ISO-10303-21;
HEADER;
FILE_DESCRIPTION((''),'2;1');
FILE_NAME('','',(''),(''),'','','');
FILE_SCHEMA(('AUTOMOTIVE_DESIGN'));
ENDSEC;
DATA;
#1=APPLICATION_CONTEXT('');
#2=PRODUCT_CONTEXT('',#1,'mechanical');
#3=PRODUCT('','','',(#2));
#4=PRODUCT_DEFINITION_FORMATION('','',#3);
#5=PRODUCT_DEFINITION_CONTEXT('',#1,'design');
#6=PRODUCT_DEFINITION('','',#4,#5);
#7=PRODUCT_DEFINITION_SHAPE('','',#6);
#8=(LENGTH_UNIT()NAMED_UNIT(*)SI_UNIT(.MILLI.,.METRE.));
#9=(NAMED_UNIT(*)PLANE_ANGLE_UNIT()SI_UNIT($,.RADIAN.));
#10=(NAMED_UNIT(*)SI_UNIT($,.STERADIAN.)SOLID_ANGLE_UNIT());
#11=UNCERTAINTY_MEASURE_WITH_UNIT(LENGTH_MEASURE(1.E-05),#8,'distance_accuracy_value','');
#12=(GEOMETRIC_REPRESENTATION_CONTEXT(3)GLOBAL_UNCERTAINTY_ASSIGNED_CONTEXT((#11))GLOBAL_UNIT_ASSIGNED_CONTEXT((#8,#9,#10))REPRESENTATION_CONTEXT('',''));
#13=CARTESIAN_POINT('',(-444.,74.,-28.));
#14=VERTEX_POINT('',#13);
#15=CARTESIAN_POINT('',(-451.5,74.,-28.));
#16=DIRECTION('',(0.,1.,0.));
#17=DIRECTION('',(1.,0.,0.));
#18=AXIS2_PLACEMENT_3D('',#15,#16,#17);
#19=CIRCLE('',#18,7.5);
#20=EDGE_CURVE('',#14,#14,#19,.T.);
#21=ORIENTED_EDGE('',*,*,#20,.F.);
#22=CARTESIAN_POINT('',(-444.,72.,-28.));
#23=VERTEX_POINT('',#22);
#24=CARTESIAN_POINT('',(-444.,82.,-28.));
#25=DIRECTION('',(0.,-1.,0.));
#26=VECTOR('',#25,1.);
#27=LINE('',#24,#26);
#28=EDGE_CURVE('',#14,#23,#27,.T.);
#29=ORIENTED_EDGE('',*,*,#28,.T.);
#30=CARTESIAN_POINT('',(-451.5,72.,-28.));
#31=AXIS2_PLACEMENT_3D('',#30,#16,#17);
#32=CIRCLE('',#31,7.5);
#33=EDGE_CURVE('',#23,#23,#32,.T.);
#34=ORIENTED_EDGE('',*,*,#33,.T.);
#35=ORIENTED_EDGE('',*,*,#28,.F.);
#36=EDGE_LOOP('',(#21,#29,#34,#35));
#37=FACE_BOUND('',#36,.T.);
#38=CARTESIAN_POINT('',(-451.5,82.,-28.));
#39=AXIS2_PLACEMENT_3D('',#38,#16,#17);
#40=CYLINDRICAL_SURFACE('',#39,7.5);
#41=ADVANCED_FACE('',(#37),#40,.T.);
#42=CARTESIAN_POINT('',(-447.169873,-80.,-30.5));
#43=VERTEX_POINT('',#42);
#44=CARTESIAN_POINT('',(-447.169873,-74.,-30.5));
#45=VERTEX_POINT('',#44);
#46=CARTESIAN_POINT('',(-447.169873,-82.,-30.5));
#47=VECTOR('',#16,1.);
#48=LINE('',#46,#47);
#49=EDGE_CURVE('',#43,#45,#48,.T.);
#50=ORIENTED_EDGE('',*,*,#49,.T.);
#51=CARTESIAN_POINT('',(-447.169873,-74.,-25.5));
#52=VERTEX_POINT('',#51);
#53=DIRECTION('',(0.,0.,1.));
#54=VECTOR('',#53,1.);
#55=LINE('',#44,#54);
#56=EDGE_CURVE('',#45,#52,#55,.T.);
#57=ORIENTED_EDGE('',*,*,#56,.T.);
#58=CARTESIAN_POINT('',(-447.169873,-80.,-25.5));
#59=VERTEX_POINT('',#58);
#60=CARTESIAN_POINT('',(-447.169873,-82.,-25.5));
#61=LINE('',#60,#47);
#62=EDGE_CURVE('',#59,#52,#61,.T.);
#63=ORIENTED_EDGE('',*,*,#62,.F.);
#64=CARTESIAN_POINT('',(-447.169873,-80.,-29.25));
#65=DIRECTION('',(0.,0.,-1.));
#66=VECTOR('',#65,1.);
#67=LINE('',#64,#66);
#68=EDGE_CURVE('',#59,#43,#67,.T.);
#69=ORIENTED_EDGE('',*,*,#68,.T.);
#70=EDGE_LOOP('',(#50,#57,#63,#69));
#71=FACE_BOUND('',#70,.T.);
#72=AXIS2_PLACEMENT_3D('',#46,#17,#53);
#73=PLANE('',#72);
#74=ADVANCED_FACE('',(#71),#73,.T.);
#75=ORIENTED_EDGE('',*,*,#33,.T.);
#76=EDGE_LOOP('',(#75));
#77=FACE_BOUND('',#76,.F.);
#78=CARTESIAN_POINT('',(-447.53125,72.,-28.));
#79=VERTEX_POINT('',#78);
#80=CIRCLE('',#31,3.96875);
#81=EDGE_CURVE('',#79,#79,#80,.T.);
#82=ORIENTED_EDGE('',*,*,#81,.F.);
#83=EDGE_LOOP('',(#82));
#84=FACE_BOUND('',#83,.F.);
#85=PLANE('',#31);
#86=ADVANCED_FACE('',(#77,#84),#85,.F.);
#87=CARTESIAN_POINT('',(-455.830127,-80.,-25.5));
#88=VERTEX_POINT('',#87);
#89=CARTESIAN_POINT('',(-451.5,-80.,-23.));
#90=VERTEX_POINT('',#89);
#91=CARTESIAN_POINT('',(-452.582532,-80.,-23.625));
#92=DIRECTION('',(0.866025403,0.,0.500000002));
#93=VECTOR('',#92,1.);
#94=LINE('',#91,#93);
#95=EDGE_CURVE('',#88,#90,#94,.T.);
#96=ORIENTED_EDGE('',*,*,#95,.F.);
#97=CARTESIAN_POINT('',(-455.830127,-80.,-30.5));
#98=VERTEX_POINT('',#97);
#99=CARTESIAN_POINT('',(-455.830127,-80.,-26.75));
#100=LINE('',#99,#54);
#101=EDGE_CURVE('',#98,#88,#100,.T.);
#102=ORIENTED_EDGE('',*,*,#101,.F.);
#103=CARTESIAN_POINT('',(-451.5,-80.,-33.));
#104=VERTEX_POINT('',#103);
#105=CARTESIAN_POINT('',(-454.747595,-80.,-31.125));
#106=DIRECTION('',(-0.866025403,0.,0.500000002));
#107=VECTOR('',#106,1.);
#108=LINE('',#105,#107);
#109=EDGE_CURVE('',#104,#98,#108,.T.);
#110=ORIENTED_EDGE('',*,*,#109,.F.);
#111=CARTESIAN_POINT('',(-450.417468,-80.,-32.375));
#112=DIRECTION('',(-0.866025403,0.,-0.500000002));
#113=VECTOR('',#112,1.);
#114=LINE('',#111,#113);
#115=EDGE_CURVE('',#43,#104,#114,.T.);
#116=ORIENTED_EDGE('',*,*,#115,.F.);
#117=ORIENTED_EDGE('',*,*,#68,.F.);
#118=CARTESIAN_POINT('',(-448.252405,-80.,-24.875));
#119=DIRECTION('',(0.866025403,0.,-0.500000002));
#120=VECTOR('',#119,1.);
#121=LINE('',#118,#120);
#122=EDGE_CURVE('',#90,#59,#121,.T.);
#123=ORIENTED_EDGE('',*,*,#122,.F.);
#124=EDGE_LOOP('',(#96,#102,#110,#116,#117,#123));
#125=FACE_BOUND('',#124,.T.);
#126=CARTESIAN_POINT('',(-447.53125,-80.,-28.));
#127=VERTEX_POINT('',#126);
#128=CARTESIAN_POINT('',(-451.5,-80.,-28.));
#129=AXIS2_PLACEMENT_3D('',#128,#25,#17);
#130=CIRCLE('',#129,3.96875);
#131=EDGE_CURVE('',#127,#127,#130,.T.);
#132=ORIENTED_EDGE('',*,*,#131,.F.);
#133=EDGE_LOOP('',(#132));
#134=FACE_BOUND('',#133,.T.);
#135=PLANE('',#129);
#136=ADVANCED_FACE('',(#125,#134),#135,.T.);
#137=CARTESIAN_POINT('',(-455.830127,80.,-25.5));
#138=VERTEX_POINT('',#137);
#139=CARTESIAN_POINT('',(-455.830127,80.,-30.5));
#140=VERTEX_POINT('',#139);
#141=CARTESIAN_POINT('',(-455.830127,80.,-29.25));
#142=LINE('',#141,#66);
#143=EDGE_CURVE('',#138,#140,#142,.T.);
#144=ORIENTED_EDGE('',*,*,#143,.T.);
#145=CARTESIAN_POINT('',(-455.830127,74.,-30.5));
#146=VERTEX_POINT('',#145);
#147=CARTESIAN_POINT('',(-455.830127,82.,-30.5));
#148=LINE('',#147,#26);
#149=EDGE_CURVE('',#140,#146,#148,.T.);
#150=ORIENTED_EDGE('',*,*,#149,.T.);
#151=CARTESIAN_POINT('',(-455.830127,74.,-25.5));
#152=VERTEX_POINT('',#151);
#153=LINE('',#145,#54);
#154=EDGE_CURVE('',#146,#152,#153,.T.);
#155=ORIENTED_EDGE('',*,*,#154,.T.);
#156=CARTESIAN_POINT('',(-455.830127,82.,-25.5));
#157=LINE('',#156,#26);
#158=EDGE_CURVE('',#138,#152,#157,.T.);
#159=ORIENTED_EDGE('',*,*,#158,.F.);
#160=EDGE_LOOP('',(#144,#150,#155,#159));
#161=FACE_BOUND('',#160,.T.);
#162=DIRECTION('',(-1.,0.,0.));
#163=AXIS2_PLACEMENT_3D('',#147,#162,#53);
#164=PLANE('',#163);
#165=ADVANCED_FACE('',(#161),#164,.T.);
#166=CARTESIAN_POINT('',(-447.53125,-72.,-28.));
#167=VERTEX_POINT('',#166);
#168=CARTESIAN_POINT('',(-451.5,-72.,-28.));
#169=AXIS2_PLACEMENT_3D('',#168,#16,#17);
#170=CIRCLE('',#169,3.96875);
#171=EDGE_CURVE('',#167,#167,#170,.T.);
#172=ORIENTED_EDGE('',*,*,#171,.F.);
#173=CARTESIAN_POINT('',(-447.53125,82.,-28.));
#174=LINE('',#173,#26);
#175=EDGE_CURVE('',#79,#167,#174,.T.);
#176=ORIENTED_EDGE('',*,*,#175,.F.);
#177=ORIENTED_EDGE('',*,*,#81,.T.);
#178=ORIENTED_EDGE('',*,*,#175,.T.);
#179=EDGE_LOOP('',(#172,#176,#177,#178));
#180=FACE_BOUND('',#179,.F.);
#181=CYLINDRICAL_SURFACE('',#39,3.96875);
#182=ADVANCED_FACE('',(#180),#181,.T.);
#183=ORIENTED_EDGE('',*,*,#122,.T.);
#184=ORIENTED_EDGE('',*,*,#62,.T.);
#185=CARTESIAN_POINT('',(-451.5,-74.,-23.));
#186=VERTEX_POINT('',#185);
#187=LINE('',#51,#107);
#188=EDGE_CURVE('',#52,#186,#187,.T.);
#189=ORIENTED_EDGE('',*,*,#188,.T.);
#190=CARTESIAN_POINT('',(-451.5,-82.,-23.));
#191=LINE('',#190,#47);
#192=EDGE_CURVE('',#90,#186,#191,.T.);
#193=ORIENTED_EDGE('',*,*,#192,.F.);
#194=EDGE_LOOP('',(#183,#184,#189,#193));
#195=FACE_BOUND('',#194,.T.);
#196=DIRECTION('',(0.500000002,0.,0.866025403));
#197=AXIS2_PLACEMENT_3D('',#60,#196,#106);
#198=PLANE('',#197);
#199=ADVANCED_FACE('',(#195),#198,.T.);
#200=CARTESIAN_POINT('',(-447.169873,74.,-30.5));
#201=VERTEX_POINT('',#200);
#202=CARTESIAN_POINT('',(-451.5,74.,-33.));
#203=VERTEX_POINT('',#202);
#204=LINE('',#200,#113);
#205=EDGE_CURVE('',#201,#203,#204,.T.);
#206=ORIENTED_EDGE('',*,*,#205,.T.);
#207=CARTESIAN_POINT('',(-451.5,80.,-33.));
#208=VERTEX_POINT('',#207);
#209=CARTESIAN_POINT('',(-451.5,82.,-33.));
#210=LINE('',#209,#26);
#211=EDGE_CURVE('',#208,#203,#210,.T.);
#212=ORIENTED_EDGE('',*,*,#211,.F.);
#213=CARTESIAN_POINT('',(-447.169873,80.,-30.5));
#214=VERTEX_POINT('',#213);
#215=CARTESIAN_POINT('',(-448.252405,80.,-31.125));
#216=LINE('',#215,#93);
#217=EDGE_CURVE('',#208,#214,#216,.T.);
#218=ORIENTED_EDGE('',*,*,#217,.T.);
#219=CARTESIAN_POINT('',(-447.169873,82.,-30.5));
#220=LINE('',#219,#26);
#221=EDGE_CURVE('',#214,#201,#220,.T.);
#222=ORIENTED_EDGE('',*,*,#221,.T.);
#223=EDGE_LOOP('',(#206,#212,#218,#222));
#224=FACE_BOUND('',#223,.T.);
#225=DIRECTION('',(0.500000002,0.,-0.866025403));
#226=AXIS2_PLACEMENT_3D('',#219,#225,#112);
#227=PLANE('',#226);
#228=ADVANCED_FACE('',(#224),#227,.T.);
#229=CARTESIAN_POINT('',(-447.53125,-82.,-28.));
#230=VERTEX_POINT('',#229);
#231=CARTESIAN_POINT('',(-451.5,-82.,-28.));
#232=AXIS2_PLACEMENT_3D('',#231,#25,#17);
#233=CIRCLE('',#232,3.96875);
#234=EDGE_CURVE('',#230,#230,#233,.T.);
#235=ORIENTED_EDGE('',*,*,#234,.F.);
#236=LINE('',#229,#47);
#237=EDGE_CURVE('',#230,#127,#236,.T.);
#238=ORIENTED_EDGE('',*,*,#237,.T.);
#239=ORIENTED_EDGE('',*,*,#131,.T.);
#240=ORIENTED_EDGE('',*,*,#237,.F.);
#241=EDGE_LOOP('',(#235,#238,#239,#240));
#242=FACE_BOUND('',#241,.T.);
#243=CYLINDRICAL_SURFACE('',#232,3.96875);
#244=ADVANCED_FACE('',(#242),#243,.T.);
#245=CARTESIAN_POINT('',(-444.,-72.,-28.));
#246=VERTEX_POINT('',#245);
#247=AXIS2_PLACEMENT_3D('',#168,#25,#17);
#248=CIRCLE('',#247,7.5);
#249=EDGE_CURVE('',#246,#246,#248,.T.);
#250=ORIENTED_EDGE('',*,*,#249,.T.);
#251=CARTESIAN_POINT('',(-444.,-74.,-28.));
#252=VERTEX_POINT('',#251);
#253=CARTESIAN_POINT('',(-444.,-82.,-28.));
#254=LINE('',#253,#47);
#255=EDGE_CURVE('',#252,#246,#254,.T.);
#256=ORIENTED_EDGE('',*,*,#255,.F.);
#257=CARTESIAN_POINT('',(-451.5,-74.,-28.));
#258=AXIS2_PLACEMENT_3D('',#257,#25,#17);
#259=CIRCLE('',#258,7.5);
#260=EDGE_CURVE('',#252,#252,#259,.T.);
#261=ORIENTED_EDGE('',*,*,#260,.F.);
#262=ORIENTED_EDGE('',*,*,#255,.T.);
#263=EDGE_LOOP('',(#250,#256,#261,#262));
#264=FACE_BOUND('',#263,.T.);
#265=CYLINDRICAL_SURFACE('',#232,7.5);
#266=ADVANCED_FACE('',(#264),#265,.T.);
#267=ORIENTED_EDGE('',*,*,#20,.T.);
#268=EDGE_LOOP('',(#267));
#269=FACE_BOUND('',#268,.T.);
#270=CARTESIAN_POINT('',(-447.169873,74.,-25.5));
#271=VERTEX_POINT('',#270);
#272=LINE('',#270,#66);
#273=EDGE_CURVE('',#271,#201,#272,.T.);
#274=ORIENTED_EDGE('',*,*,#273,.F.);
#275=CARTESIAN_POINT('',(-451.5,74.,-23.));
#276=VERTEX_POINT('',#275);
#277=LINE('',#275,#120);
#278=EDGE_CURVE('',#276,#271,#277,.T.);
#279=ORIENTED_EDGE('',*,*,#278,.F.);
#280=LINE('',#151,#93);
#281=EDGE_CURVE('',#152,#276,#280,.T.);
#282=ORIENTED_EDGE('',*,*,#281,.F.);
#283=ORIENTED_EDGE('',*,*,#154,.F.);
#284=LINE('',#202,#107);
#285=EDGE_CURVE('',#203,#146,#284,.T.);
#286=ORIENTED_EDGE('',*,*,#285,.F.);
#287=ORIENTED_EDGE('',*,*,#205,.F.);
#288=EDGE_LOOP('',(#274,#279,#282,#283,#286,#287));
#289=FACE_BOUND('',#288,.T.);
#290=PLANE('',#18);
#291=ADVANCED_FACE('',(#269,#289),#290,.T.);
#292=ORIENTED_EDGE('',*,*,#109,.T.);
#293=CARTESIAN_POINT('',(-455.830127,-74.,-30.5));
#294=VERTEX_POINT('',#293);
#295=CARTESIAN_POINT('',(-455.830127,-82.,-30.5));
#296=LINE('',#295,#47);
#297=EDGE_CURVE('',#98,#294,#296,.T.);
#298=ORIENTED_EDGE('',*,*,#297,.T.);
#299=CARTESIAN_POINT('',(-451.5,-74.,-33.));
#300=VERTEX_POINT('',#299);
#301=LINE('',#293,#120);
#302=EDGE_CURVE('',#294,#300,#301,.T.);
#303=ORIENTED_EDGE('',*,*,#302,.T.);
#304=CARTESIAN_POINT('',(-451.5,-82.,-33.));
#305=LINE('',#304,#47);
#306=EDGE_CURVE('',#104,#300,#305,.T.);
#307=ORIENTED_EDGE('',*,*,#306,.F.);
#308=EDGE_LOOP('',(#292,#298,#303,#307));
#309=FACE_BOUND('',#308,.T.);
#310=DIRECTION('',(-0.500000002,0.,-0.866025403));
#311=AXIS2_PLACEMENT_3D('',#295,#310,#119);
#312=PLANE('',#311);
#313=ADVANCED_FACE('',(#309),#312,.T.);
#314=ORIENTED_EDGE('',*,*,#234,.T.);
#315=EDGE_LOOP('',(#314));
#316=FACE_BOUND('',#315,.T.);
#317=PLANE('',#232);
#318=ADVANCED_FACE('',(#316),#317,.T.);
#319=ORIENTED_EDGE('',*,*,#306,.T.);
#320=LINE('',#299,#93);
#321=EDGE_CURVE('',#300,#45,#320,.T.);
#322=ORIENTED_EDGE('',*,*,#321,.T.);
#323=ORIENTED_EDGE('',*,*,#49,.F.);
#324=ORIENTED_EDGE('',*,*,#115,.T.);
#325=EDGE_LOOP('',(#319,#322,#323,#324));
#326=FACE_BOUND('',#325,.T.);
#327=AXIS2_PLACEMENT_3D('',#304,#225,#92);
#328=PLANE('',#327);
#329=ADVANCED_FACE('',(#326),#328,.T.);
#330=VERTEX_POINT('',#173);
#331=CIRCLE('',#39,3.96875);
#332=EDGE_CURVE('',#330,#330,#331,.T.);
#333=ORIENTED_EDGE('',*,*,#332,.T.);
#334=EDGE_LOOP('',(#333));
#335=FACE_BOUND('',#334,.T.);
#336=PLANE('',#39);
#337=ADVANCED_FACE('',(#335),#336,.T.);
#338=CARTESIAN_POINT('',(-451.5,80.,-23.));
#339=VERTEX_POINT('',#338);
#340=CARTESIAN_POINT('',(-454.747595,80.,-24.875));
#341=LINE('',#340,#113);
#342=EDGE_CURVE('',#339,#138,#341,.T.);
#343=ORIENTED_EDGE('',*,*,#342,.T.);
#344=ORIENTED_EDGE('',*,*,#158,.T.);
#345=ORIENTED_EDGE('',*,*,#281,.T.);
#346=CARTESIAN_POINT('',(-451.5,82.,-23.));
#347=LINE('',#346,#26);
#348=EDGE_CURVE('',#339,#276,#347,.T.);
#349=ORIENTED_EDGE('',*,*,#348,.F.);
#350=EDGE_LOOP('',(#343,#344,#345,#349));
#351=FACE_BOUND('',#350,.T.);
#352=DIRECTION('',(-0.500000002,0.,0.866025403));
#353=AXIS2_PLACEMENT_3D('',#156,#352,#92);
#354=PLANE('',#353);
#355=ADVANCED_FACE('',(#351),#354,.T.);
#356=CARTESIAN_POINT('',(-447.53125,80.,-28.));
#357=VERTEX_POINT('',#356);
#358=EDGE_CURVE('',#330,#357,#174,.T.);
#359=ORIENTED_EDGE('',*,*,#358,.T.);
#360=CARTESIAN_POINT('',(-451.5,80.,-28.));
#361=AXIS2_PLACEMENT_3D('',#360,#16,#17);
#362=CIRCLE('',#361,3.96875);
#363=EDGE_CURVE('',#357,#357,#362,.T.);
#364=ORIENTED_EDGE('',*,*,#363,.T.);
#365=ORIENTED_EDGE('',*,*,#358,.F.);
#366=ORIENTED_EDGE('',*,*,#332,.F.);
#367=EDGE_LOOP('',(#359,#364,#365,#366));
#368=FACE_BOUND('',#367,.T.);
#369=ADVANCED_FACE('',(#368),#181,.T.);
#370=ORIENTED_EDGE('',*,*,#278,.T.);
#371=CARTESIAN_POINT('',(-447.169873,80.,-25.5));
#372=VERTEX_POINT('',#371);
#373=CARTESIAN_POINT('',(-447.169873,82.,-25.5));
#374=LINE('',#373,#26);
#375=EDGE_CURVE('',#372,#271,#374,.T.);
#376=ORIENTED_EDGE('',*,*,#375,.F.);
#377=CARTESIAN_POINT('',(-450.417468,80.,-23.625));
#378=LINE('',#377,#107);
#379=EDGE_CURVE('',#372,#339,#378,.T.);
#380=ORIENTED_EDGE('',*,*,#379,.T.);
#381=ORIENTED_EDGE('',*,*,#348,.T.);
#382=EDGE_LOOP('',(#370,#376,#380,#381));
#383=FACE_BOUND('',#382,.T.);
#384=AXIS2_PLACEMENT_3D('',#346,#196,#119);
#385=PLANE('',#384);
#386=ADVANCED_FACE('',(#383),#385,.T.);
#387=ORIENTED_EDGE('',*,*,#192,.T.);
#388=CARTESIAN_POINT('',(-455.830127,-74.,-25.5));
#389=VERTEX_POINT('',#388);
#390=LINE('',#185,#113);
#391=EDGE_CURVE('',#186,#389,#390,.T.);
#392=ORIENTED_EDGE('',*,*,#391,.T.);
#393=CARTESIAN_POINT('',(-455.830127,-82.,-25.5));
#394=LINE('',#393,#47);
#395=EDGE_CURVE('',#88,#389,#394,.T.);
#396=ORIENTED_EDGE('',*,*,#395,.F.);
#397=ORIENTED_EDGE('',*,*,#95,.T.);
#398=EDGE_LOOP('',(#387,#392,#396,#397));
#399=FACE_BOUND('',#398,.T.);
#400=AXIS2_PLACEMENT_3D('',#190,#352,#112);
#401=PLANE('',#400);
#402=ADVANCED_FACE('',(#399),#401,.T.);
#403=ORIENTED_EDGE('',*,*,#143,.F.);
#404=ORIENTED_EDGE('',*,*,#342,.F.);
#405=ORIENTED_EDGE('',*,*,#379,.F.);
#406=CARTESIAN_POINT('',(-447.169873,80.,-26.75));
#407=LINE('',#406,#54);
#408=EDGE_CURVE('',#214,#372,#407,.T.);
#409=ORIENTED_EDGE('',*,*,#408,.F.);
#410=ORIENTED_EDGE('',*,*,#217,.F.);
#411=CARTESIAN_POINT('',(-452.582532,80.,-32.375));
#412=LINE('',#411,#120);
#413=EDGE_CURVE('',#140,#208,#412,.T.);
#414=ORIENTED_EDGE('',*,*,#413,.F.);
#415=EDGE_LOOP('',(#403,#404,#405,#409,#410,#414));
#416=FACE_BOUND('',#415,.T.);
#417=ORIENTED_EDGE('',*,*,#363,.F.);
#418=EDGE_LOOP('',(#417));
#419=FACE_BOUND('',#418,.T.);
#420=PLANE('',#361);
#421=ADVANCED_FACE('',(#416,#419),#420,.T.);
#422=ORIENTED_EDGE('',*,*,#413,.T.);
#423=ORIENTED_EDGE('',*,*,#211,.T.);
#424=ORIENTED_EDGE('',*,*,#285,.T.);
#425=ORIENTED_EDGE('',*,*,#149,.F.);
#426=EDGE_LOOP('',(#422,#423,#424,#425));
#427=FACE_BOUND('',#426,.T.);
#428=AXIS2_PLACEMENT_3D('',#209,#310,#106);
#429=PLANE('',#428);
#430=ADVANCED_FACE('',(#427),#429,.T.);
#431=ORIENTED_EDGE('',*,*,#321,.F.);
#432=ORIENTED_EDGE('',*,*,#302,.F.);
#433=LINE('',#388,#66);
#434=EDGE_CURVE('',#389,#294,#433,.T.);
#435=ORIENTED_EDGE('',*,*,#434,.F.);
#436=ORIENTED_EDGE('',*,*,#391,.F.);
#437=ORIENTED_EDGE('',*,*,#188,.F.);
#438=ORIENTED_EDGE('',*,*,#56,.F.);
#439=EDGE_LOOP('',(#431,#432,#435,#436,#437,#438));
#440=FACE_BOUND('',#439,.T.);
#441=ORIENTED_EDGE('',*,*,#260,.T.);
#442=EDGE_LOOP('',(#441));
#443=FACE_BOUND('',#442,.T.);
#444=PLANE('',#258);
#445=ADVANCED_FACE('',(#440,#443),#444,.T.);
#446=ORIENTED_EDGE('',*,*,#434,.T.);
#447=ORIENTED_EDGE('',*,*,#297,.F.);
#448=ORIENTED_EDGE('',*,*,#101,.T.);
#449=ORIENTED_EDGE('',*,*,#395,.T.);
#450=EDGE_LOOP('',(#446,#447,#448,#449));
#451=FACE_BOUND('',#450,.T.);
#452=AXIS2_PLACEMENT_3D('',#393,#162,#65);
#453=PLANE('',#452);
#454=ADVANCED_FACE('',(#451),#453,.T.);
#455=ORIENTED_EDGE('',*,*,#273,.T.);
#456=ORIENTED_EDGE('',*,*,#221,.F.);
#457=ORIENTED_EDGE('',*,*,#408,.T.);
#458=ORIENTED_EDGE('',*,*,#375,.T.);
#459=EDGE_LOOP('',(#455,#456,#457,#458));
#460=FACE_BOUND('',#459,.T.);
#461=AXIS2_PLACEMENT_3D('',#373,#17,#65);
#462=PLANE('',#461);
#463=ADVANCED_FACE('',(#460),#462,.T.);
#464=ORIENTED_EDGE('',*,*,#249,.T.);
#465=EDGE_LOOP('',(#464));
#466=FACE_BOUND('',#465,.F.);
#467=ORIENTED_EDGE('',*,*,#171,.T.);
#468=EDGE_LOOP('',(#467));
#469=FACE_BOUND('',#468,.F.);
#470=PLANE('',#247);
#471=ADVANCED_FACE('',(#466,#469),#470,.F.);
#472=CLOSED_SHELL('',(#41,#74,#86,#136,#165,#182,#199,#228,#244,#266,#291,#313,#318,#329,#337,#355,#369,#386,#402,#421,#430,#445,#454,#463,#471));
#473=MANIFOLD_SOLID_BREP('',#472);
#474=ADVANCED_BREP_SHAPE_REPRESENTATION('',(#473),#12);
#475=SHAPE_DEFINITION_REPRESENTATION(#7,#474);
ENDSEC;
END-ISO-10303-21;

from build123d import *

# Parameters (mm, degrees)
SKETCH013_R     = 3.96875
PAD009_DEPTH    = 164
SKETCH014_R     = 7.5
PAD010_DEPTH    = 10
SKETCH015_R     = 7.5
POCKET003_DEPTH = 8
SKETCH016_R     = 7.5
SKETCH016_R_2   = 3.96875
POCKET004_DEPTH = 2
SKETCH017_R     = 7.5
PAD011_DEPTH    = 10
SKETCH018_R     = 7.5
POCKET005_DEPTH = 8
SKETCH019_R     = 7.5
SKETCH019_R_2   = 3.96875
POCKET006_DEPTH = 2


with BuildPart() as part:
    # Sketch013 → Pad009 (new body)
    with BuildSketch(Plane(origin=(500, 82, 56), x_dir=(1, 0, 0), z_dir=(0, -1, 0))):
        Circle(SKETCH013_R)
    extrude(amount=PAD009_DEPTH)

    # Sketch014 → Pad010 (new body)
    with BuildSketch(Plane(origin=(500, 82, 56), x_dir=(1, 0, 0), z_dir=(0, 1, 0))):
        Circle(SKETCH014_R)
    extrude(amount=-PAD010_DEPTH)

    # Sketch015 → Pocket003 (cut)
    with BuildSketch(Plane(origin=(500, 82, 56), x_dir=(1, 0, 0), z_dir=(0, 1, 0))):
        Circle(SKETCH015_R)
        Polygon((0, 5), (-4.330127, 2.5), (-4.330127, -2.5), (0, -5), (4.330127, -2.5), (4.330127, 2.5), align=None, mode=Mode.SUBTRACT)
    extrude(amount=-POCKET003_DEPTH, mode=Mode.SUBTRACT)

    # Sketch016 → Pocket004 (cut)
    with BuildSketch(Plane(origin=(500, 82, 56), x_dir=(1, 0, 0), z_dir=(0, 1, 0))):
        Circle(SKETCH016_R)
        Circle(SKETCH016_R_2, mode=Mode.SUBTRACT)
    extrude(amount=-POCKET004_DEPTH, mode=Mode.SUBTRACT)

    # Sketch017 → Pad011 (new body)
    with BuildSketch(Plane(origin=(500, -82, 56), x_dir=(1, 0, 0), z_dir=(0, -1, 0))):
        Circle(SKETCH017_R)
    extrude(amount=-PAD011_DEPTH)

    # Sketch018 → Pocket005 (cut)
    with BuildSketch(Plane(origin=(500, -82, 56), x_dir=(1, 0, 0), z_dir=(0, -1, 0))):
        Circle(SKETCH018_R)
        Polygon((0, 5), (-4.330127, 2.5), (-4.330127, -2.5), (0, -5), (4.330127, -2.5), (4.330127, 2.5), align=None, mode=Mode.SUBTRACT)
    extrude(amount=-POCKET005_DEPTH, mode=Mode.SUBTRACT)

    # Sketch019 → Pocket006 (cut)
    with BuildSketch(Plane(origin=(500, -82, 56), x_dir=(1, 0, 0), z_dir=(0, -1, 0))):
        Circle(SKETCH019_R)
        Circle(SKETCH019_R_2, mode=Mode.SUBTRACT)
    extrude(amount=-POCKET006_DEPTH, mode=Mode.SUBTRACT)


with BuildPart() as part_1:
    # Clone020 placement: moved
    add(part.part.moved(Location((-951.5, 0, -84))))


solid = part_1.part
